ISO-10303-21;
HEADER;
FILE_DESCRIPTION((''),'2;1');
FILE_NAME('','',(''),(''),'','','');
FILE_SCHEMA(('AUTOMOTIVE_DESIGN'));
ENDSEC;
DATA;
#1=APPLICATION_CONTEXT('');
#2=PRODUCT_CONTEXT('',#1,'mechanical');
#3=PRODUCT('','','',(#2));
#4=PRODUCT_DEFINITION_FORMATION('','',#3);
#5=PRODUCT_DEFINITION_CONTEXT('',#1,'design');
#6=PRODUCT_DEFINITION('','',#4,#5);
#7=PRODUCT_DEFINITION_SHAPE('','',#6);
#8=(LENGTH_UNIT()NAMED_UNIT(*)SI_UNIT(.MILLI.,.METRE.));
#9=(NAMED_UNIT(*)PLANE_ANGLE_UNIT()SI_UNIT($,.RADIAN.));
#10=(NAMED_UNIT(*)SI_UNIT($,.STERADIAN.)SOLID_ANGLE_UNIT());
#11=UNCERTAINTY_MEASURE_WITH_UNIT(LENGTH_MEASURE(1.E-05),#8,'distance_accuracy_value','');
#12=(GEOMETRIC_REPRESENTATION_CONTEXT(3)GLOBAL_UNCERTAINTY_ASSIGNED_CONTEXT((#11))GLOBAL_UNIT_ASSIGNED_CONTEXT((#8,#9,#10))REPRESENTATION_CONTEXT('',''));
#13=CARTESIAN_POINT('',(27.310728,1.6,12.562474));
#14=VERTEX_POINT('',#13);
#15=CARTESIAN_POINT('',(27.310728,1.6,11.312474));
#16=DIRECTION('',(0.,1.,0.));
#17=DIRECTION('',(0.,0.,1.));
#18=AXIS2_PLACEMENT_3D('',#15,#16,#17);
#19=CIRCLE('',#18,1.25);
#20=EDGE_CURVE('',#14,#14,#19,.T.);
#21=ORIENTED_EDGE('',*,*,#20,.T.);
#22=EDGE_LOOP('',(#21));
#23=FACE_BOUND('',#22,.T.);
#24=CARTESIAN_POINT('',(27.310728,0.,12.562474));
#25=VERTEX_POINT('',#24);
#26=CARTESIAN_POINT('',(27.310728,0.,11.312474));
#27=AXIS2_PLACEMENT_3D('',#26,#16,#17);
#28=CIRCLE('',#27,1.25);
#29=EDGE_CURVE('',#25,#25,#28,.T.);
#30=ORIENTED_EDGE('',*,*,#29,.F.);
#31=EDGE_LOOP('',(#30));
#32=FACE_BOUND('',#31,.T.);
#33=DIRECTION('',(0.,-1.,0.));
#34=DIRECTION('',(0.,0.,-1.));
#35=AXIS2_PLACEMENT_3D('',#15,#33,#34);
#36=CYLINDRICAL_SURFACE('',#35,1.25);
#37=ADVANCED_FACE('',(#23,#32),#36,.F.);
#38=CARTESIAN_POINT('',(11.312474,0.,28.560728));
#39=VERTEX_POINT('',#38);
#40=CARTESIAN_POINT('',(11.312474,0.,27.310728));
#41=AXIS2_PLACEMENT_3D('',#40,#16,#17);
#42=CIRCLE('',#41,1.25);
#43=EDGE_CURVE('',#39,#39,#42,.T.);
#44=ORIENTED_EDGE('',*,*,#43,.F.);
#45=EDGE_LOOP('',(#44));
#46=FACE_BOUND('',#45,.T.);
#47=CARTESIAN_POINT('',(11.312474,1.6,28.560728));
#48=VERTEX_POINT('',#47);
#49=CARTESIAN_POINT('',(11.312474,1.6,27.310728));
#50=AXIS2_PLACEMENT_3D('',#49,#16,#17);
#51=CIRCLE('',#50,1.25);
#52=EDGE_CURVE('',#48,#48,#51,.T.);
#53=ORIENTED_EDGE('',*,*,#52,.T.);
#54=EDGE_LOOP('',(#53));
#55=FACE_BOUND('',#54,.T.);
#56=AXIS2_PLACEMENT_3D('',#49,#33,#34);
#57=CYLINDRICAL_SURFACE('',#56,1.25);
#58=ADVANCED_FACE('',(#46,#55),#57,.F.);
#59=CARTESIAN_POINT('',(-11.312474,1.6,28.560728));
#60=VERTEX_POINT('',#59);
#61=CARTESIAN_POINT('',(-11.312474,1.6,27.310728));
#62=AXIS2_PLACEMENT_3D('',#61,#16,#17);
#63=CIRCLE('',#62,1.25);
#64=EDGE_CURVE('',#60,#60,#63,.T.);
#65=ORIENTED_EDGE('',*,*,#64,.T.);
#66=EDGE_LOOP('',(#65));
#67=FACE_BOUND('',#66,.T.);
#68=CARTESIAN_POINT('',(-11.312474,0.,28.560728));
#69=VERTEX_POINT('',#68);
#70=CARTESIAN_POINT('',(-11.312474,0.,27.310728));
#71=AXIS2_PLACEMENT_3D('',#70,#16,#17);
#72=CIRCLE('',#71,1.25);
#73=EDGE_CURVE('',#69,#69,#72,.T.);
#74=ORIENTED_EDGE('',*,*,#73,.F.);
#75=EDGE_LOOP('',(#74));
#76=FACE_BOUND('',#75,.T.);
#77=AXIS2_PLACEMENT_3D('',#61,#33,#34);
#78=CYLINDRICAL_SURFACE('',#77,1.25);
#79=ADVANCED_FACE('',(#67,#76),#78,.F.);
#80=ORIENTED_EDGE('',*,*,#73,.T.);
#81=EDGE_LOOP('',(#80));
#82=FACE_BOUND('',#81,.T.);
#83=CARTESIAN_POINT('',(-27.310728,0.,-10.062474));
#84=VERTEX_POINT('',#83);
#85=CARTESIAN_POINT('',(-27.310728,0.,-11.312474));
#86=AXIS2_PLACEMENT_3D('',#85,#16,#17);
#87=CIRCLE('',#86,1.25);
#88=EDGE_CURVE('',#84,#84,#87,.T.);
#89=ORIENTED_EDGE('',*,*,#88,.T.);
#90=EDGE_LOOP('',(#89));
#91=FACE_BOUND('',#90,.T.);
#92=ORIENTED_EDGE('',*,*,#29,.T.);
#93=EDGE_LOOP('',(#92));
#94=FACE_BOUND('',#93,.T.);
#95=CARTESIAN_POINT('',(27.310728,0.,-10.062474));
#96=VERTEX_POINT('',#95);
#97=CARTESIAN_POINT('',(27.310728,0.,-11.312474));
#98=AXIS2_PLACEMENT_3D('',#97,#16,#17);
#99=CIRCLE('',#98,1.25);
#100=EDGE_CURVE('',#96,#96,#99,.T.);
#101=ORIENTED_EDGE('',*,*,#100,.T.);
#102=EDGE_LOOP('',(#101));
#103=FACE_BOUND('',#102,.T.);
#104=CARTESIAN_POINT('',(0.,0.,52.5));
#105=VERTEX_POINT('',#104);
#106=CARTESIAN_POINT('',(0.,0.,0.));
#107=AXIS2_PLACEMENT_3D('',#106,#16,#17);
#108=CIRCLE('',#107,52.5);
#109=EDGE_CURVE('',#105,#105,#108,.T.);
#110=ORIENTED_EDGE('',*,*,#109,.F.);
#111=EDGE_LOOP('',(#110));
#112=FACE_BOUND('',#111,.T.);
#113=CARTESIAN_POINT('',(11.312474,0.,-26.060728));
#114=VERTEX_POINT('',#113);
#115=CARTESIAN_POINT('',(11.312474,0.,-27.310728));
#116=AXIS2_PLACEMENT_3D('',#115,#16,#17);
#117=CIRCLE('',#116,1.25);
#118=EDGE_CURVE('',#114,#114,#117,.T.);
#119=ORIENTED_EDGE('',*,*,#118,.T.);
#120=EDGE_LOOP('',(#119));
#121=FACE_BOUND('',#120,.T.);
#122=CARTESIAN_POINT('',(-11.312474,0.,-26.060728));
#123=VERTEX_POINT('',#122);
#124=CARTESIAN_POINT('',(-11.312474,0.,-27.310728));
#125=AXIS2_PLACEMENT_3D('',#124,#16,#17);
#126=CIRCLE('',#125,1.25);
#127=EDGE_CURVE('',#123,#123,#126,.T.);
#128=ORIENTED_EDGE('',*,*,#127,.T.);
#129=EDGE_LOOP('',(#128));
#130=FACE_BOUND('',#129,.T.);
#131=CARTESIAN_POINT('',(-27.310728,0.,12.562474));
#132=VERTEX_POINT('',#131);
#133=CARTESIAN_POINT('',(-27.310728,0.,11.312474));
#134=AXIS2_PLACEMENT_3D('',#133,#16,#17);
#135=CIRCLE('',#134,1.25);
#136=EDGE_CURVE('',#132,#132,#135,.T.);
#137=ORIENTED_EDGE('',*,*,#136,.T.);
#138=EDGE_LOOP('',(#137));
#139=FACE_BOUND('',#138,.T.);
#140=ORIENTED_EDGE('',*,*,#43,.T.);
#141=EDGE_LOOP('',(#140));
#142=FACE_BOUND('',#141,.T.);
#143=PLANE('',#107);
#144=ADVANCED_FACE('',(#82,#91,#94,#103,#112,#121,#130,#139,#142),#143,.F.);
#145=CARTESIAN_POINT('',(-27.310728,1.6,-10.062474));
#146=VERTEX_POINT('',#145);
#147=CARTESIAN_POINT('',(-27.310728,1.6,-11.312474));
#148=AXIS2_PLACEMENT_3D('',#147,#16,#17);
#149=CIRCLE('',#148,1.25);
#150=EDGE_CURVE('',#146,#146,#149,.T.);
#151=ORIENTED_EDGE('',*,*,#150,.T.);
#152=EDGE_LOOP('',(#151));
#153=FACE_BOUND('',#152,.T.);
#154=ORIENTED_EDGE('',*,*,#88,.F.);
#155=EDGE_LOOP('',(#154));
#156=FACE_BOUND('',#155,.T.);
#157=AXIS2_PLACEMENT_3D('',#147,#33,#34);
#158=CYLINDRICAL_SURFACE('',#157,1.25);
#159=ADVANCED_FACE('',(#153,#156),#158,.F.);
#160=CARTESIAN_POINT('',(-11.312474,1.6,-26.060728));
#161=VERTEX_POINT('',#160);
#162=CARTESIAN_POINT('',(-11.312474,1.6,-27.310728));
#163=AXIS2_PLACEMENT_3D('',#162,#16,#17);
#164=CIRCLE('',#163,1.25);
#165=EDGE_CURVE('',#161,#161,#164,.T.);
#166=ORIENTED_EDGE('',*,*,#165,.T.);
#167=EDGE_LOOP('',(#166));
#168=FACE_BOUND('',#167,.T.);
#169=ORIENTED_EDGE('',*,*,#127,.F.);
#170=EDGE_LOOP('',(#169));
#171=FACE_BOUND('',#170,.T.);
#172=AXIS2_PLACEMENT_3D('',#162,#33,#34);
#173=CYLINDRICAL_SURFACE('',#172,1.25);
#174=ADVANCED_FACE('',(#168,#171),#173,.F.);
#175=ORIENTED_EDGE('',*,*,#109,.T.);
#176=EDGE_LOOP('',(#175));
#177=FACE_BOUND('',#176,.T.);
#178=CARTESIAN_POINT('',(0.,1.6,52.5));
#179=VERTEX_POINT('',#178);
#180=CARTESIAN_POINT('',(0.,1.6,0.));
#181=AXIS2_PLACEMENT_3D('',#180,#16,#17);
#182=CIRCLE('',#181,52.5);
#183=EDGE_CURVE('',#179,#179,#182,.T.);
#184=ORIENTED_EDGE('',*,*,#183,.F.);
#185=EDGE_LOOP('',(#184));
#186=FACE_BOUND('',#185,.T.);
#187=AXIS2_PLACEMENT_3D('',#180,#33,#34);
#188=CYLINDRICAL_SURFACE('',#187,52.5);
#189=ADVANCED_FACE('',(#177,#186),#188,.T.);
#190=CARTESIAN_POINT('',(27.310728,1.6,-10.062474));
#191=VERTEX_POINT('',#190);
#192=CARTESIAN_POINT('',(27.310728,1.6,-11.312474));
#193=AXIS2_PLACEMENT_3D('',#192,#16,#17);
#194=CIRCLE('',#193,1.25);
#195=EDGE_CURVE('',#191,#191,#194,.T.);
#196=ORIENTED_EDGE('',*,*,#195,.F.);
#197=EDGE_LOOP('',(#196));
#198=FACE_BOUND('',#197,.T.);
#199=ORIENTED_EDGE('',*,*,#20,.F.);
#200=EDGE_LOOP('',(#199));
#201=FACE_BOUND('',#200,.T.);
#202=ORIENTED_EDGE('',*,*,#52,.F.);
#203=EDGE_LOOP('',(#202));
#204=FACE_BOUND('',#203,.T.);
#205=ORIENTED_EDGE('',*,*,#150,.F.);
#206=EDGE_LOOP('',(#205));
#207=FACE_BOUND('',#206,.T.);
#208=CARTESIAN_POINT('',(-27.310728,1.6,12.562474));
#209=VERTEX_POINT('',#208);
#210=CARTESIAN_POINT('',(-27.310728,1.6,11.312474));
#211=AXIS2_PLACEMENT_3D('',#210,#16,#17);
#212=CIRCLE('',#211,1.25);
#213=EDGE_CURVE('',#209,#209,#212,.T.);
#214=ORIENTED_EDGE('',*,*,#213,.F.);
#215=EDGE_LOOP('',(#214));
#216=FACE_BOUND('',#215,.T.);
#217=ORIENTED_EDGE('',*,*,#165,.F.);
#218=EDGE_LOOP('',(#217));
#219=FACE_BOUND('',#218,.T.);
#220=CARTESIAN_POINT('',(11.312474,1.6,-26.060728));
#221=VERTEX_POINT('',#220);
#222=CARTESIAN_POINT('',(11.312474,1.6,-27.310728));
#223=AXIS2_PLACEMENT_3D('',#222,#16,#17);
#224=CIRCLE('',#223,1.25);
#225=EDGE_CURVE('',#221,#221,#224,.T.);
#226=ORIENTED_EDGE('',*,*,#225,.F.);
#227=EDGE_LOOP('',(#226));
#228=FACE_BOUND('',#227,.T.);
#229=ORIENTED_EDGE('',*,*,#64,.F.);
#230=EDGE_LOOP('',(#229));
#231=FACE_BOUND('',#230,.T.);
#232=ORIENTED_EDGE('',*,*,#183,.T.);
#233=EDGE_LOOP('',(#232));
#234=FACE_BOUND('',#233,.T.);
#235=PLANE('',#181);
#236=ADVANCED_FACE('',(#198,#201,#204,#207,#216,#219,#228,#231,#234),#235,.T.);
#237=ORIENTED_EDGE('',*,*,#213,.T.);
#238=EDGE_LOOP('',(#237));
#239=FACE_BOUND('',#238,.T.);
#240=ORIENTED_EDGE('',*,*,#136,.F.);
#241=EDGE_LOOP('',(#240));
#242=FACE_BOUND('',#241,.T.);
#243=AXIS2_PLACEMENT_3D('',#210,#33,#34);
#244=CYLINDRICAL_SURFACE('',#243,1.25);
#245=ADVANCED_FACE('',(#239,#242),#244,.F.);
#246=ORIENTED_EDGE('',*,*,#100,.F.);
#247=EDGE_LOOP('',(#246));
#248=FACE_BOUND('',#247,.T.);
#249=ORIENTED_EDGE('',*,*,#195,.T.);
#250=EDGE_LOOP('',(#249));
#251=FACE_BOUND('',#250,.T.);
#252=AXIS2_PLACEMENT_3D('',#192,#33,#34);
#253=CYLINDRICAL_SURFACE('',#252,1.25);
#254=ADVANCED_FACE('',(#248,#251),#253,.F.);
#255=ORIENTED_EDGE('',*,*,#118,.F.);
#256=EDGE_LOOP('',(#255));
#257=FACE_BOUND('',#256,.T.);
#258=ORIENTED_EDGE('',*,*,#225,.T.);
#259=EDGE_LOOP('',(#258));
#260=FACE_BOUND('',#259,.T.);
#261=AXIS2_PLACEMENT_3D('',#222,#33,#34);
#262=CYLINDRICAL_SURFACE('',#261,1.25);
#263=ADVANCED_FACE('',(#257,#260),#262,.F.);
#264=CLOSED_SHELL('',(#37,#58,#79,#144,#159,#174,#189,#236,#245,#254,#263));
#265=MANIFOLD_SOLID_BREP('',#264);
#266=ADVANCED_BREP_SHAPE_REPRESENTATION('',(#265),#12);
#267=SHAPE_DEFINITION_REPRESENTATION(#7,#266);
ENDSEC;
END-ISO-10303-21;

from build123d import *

# Parameters (mm, degrees)
SKETCH1_R           = 52.5
SKETCH1_R_2         = 1.25
BOSS_EXTRUDE1_DEPTH = 1.6


with BuildPart() as part:
    # Sketch1 → Boss-Extrude1 (new body)
    with BuildSketch(Plane(origin=(0, 0, 0), x_dir=(1, 0, 0), z_dir=(0, 1, 0))):
        Circle(SKETCH1_R)
        with Locations((11.312473916, -27.310727951)):
            Circle(SKETCH1_R_2, mode=Mode.SUBTRACT)
        with Locations((-11.312473916, -27.310727951)):
            Circle(SKETCH1_R_2, mode=Mode.SUBTRACT)
        with Locations((-27.310727951, -11.312473916)):
            Circle(SKETCH1_R_2, mode=Mode.SUBTRACT)
        with Locations((-27.310727951, 11.312473916)):
            Circle(SKETCH1_R_2, mode=Mode.SUBTRACT)
        with Locations((-11.312473916, 27.310727951)):
            Circle(SKETCH1_R_2, mode=Mode.SUBTRACT)
        with Locations((11.312473916, 27.310727951)):
            Circle(SKETCH1_R_2, mode=Mode.SUBTRACT)
        with Locations((27.310727951, 11.312473916)):
            Circle(SKETCH1_R_2, mode=Mode.SUBTRACT)
        with Locations((27.310727951, -11.312473916)):
            Circle(SKETCH1_R_2, mode=Mode.SUBTRACT)
    extrude(amount=BOSS_EXTRUDE1_DEPTH)


solid = part.part
